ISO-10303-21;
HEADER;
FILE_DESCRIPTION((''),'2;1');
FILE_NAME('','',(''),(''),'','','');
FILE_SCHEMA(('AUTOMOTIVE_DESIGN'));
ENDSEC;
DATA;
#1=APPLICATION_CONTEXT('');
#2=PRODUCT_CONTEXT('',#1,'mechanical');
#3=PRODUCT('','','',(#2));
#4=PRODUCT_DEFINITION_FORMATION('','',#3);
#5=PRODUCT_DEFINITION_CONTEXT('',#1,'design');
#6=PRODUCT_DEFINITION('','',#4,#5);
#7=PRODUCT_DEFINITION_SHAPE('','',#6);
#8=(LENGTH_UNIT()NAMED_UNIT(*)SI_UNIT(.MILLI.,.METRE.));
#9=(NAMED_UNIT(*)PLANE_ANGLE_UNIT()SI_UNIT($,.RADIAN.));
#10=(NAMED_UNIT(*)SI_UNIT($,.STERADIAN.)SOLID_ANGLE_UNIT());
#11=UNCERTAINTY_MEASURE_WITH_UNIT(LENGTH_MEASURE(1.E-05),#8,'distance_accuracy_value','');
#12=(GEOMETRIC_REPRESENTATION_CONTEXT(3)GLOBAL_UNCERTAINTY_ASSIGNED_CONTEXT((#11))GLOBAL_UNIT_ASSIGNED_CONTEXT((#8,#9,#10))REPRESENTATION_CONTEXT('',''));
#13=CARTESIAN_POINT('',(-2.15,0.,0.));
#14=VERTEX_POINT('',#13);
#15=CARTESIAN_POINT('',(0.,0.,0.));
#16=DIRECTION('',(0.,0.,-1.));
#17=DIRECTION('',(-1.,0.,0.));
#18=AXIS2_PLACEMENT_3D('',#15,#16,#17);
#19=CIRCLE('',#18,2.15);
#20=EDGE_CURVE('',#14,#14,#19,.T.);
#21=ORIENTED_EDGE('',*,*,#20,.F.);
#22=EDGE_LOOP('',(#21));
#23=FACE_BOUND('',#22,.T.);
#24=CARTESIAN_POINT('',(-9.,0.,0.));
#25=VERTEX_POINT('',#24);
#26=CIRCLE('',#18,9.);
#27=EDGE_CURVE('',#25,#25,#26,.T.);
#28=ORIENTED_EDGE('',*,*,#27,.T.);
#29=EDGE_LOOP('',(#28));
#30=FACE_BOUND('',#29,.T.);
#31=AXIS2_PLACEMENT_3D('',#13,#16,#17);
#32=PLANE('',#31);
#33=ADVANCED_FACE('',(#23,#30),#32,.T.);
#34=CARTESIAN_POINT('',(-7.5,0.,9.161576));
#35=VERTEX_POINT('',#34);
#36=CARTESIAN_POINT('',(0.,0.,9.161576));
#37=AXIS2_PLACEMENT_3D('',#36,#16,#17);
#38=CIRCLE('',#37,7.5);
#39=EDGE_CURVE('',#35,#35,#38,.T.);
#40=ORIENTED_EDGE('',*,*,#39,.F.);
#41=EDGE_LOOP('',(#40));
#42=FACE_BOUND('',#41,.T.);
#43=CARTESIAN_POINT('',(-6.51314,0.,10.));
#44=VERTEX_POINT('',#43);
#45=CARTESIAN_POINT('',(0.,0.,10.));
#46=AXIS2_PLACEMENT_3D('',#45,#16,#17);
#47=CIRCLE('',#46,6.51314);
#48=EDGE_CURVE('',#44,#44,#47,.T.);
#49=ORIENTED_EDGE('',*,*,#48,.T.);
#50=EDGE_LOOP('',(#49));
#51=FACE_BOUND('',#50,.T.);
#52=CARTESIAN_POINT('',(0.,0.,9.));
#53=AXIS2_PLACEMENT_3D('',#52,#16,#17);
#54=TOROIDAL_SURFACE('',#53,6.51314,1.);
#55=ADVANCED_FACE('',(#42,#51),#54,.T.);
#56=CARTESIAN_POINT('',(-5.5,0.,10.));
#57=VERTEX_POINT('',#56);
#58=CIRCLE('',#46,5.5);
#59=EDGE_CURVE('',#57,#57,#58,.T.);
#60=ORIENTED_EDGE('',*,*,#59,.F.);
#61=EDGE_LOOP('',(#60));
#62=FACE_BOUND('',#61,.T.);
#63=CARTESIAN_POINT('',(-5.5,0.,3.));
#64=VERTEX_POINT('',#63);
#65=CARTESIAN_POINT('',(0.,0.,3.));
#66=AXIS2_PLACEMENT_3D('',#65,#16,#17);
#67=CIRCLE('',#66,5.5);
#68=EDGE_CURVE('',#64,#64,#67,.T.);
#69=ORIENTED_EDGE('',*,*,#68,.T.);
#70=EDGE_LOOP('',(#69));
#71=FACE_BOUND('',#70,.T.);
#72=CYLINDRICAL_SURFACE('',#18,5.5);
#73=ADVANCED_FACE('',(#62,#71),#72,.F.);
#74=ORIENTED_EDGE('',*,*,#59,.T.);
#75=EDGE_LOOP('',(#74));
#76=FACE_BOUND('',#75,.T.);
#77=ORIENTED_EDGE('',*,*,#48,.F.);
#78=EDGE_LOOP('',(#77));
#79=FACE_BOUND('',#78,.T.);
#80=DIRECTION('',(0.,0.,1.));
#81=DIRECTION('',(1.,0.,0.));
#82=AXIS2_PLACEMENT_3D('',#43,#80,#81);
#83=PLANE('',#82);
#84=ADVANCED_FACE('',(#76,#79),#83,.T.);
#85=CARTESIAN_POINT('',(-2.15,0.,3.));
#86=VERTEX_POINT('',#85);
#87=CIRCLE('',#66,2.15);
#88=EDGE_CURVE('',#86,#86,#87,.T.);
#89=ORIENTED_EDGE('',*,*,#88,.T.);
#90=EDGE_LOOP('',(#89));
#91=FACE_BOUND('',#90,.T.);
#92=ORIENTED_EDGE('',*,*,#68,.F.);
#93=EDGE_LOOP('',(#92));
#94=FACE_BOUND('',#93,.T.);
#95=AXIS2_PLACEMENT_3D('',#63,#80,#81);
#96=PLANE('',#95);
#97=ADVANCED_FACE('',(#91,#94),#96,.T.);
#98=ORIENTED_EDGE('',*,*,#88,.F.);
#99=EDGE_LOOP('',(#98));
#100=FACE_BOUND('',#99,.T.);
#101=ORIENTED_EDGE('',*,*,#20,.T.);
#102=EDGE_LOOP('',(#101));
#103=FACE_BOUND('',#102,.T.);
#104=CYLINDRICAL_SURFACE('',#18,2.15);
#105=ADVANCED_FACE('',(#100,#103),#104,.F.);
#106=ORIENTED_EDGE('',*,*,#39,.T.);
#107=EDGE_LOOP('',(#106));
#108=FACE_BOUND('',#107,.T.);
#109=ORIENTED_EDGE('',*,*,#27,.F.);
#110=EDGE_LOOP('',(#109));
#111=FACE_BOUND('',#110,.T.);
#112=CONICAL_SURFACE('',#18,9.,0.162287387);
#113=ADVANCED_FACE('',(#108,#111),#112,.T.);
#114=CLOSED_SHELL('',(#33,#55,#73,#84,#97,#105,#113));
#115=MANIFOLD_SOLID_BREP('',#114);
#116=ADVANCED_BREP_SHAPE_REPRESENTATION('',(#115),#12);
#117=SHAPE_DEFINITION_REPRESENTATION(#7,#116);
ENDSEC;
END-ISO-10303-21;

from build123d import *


with BuildPart() as part:
    # Эскиз1 → Повернуть1 (revolve)
    with BuildSketch(Plane(origin=(0, 0, 0), x_dir=(1, 0, 0), z_dir=(0, 1, 0))):
        with BuildLine():
            Line((-2.15, 0), (-9, 0))
            Line((-9, 0), (-7.5, -9.161575959))
            ThreePointArc((-7.5, -9.161575959), (-7.160605567, -9.762094469), (-6.513139721, -10))
            Line((-6.513139721, -10), (-5.5, -10))
            Line((-5.5, -10), (-5.5, -3))
            Line((-5.5, -3), (-2.15, -3))
            Line((-2.15, -3), (-2.15, 0))
        make_face()
    revolve(axis=Axis((0, 0, 0), (0, 0, 1)))


solid = part.part
